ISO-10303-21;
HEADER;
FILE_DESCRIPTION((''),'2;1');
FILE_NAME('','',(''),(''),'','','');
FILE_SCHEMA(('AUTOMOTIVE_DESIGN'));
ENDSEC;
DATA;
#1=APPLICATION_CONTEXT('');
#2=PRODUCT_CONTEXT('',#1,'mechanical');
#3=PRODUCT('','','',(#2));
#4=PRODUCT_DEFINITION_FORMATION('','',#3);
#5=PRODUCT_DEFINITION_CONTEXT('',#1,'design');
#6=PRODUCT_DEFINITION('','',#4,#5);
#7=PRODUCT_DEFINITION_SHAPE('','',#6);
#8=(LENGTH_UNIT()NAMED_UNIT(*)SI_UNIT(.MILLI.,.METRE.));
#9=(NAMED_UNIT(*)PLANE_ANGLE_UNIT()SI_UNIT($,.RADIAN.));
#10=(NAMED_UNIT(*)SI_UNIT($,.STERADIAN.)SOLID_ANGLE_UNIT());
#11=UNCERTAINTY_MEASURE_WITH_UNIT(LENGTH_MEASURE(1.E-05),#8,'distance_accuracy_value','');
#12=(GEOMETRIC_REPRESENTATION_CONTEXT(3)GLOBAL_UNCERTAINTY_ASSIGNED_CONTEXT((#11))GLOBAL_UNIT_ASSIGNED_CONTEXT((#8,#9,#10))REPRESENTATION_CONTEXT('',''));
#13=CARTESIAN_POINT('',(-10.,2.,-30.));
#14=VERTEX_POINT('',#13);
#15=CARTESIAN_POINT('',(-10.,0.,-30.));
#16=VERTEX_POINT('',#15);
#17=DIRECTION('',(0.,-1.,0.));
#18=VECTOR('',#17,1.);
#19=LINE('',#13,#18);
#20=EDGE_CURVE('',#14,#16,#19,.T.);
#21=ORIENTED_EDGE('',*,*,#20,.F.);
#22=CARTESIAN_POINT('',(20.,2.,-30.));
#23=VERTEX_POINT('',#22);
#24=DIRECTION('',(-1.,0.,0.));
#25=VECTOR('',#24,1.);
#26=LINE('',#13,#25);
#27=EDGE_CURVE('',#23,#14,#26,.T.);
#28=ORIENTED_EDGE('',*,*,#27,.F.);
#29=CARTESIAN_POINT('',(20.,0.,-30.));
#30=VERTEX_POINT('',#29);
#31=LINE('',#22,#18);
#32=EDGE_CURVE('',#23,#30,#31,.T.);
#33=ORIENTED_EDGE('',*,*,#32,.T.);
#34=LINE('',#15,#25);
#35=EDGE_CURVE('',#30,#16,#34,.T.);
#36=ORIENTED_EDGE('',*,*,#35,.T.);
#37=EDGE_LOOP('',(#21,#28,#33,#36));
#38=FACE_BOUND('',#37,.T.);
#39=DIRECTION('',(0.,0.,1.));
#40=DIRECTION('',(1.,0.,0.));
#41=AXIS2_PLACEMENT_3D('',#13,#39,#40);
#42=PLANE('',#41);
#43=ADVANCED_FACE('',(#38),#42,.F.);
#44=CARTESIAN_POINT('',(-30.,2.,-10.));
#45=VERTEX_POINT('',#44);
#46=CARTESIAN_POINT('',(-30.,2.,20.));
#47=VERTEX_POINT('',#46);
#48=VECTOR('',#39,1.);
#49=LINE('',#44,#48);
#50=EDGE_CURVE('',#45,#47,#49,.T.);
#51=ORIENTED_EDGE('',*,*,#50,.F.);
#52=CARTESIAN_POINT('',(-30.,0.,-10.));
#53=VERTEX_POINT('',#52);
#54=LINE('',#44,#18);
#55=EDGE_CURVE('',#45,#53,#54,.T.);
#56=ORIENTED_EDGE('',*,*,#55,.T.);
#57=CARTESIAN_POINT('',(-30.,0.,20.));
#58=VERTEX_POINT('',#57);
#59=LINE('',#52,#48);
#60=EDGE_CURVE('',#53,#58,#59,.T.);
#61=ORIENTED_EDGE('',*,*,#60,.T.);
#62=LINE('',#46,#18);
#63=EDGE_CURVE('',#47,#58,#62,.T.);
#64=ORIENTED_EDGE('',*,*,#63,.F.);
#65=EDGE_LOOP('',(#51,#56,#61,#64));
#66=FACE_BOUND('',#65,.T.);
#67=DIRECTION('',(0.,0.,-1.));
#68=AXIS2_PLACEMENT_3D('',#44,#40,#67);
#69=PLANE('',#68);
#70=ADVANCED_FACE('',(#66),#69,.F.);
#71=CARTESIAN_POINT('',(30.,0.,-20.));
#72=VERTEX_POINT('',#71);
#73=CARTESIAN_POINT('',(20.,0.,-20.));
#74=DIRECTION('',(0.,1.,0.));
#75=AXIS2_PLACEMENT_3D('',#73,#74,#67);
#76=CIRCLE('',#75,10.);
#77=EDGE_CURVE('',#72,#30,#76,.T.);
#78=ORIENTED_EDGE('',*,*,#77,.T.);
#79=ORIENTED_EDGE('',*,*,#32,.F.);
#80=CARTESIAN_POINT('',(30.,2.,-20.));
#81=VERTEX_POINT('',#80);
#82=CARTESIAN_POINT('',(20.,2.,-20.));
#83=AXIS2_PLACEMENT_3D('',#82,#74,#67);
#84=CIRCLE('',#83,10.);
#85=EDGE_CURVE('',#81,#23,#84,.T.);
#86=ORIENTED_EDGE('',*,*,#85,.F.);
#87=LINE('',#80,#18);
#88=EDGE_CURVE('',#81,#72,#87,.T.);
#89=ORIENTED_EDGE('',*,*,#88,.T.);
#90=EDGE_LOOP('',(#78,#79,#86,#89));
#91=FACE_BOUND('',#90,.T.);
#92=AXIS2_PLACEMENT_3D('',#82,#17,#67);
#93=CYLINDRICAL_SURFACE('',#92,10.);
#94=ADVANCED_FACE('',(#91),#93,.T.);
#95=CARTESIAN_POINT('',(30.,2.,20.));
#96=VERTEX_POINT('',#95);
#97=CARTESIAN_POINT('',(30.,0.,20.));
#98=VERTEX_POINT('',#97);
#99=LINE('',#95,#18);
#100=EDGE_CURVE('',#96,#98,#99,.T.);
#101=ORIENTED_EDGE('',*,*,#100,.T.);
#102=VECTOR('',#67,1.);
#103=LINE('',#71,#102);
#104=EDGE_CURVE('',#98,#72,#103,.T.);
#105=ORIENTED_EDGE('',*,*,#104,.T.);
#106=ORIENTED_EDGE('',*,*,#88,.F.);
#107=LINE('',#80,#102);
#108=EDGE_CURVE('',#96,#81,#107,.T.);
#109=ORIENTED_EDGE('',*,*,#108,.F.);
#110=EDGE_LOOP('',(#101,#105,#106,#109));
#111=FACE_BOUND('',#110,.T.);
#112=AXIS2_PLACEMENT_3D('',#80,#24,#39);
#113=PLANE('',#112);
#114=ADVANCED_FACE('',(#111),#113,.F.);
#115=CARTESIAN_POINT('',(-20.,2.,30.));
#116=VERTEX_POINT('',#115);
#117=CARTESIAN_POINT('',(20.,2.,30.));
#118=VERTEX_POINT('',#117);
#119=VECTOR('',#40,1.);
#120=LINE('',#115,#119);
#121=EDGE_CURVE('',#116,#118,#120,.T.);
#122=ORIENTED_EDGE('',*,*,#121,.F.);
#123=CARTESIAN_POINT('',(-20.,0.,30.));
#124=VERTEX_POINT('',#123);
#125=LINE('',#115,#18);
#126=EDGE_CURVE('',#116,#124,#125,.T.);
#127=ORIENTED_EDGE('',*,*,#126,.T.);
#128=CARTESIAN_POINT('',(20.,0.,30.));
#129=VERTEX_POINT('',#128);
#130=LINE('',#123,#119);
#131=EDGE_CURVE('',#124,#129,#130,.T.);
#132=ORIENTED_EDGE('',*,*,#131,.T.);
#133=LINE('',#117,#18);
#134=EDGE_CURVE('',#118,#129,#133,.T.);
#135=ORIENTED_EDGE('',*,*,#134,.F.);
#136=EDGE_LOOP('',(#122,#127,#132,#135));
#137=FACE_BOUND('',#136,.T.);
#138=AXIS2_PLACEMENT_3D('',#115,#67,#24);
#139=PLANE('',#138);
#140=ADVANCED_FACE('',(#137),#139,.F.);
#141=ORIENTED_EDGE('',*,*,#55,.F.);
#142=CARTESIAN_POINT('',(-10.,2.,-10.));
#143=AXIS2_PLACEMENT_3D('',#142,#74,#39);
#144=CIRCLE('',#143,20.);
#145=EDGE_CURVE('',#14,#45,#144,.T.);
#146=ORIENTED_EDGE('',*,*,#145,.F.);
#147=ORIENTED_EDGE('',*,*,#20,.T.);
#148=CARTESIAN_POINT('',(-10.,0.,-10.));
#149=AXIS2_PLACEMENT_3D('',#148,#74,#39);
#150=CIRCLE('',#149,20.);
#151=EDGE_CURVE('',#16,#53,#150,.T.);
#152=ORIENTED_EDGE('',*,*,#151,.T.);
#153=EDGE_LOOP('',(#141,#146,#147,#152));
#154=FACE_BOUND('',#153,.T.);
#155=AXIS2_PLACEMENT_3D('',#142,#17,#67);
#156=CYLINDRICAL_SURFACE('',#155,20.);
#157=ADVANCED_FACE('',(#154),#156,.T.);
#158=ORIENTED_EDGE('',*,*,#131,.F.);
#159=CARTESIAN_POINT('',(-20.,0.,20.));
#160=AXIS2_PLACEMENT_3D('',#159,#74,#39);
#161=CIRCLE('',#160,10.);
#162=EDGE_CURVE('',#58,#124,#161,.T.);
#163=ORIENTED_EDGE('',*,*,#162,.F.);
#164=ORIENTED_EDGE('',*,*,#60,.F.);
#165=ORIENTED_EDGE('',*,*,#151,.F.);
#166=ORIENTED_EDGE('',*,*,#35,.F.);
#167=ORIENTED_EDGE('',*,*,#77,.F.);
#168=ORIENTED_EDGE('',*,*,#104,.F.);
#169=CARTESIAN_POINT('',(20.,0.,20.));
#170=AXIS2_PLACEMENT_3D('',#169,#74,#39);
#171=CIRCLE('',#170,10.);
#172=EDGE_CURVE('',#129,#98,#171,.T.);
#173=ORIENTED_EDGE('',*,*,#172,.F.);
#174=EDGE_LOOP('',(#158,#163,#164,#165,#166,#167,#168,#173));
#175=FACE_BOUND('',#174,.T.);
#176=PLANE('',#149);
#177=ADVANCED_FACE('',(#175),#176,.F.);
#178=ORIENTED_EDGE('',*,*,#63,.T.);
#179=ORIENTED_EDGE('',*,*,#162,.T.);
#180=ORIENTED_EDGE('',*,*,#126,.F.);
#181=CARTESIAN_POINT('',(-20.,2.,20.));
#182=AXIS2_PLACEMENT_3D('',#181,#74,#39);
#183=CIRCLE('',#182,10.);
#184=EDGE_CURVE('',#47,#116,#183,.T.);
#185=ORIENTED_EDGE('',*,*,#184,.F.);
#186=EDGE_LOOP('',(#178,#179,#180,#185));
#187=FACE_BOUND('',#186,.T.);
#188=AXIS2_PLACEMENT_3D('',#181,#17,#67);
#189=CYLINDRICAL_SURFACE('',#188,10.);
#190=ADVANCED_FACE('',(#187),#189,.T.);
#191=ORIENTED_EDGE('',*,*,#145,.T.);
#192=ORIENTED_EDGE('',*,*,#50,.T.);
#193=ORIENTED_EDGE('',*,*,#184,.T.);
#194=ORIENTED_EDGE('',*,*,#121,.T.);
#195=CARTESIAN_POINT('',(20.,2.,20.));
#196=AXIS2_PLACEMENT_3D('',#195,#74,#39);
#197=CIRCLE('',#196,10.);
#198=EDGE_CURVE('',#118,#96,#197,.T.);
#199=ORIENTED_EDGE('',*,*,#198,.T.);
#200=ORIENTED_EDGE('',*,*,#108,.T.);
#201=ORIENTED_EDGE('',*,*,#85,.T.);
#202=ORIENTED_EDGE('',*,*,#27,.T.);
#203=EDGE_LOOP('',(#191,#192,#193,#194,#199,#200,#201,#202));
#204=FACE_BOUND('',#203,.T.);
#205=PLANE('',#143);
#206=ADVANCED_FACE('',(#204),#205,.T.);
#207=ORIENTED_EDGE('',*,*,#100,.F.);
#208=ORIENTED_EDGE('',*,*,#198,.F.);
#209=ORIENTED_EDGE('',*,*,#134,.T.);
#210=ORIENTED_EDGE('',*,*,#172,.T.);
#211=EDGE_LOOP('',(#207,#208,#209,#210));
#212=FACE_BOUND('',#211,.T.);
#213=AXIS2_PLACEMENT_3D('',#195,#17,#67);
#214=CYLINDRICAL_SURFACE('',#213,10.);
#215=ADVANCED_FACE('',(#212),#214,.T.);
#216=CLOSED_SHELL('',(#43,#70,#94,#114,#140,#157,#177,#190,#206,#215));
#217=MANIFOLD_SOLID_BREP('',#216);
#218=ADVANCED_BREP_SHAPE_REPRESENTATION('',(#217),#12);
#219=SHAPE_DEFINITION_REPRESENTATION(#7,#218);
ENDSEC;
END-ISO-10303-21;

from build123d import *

# Parameters (mm, degrees)
BOSS_EXTRUDE1_DEPTH = 2


with BuildPart() as part:
    # Sketch2 → Boss-Extrude1 (new body)
    with BuildSketch(Plane(origin=(0, 0, 0), x_dir=(1, 0, 0), z_dir=(0, 1, 0))):
        with BuildLine():
            Line((-10, 30), (20, 30))
            ThreePointArc((20, 30), (27.071067812, 27.071067812), (30, 20))
            Line((30, 20), (30, -20))
            ThreePointArc((30, -20), (27.071067812, -27.071067812), (20, -30))
            Line((20, -30), (-20, -30))
            ThreePointArc((-20, -30), (-27.071067812, -27.071067812), (-30, -20))
            Line((-30, -20), (-30, 10))
            ThreePointArc((-30, 10), (-24.142135624, 24.142135624), (-10, 30))
        make_face()
    extrude(amount=BOSS_EXTRUDE1_DEPTH)


solid = part.part
